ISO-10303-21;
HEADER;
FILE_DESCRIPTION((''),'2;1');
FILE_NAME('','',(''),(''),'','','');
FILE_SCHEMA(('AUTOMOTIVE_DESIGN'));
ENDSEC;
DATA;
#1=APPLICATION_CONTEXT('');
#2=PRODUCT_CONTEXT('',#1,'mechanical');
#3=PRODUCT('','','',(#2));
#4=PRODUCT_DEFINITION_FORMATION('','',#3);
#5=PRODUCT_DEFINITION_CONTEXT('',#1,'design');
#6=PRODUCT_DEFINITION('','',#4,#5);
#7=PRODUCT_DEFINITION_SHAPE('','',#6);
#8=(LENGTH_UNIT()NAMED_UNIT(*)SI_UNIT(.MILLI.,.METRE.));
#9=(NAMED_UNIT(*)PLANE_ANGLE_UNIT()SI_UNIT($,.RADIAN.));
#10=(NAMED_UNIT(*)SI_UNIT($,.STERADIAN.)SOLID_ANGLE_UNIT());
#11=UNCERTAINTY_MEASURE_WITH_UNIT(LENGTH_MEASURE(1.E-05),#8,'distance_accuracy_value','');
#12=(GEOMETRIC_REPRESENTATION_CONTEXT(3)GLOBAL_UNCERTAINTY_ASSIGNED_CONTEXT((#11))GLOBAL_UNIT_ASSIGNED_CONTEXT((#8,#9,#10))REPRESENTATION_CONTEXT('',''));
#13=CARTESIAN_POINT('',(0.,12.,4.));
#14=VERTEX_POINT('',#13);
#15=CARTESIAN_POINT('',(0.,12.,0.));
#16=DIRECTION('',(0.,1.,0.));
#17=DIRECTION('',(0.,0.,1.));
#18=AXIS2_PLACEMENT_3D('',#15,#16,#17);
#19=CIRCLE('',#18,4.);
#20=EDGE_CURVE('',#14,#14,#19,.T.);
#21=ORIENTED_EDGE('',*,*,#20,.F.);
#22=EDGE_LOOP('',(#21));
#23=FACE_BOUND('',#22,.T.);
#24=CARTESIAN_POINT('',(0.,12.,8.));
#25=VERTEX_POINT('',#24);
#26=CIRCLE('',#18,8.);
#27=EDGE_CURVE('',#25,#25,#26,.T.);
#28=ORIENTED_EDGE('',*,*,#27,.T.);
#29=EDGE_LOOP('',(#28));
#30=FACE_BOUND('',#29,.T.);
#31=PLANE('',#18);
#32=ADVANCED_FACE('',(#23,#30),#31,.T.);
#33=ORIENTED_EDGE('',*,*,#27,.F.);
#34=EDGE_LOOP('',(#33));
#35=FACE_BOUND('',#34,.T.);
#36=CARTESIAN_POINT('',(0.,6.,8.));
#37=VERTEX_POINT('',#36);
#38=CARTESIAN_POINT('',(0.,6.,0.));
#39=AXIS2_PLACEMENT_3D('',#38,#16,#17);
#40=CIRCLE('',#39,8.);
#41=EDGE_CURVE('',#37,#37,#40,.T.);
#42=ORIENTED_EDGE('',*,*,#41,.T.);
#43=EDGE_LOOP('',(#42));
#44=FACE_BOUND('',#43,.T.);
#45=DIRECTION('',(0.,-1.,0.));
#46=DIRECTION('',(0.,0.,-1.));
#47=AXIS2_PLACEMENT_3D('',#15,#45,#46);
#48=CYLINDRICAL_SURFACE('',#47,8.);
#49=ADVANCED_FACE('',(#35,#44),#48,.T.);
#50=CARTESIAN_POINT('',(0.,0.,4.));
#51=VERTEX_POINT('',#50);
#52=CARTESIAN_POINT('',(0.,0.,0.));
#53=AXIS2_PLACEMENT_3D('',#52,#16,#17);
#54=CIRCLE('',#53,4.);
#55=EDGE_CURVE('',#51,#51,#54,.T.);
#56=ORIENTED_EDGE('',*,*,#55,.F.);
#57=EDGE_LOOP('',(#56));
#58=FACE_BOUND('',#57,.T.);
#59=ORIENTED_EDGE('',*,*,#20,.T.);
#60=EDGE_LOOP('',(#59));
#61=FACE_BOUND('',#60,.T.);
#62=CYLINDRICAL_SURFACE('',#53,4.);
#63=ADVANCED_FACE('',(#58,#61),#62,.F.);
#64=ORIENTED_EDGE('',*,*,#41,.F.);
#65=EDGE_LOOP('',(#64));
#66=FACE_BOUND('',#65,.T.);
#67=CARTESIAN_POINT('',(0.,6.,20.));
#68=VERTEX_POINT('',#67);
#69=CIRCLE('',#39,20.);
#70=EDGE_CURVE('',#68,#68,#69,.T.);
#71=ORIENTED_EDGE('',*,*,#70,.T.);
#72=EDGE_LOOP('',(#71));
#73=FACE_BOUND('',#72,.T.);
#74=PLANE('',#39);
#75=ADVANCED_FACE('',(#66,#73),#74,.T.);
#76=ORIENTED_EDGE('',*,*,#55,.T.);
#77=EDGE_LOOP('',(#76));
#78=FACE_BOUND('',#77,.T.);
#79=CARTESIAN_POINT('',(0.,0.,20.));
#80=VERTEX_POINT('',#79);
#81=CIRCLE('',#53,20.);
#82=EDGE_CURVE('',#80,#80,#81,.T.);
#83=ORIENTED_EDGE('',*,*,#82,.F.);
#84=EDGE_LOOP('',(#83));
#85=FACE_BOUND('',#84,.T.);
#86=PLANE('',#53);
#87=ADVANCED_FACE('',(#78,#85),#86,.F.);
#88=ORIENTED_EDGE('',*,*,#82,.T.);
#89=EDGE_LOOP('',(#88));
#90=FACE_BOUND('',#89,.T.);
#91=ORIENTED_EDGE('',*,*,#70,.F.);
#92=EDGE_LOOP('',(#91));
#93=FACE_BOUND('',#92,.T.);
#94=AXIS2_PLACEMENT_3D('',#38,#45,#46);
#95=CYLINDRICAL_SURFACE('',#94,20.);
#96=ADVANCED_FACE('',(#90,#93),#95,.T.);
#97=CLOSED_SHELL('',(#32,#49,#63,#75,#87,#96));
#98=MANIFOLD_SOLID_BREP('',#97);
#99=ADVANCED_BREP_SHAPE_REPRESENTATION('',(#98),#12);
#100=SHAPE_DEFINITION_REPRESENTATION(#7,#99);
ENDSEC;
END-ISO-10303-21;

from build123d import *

# Parameters (mm, degrees)
SKETCH1_R           = 20
BOSS_EXTRUDE1_DEPTH = 6
SKETCH2_R           = 8
BOSS_EXTRUDE2_DEPTH = 6
SKETCH3_R           = 4
CUT_EXTRUDE1_DEPTH  = 31.724582991


with BuildPart() as part:
    # Sketch1 → Boss-Extrude1 (new body)
    with BuildSketch(Plane(origin=(0, 0, 0), x_dir=(1, 0, 0), z_dir=(0, 1, 0))):
        with Locations(Location((0, 0, 0), (0, 0, 270))):
            Circle(SKETCH1_R)
    extrude(amount=BOSS_EXTRUDE1_DEPTH)

    # Sketch2 → Boss-Extrude2 (add)
    with BuildSketch(Plane(origin=(0, 6, 0), x_dir=(1, 0, 0), z_dir=(0, 1, 0))):
        with Locations(Location((0, 0, 0), (0, 0, 270))):
            Circle(SKETCH2_R)
    extrude(amount=BOSS_EXTRUDE2_DEPTH)

    # Sketch3 → Cut-Extrude1 (cut, through all)
    with BuildSketch(Plane(origin=(0, 12, 0), x_dir=(1, 0, 0), z_dir=(0, 1, 0))):
        with Locations(Location((0, 0, 0), (0, 0, 270))):
            Circle(SKETCH3_R)
    extrude(amount=-CUT_EXTRUDE1_DEPTH, mode=Mode.SUBTRACT)


solid = part.part
